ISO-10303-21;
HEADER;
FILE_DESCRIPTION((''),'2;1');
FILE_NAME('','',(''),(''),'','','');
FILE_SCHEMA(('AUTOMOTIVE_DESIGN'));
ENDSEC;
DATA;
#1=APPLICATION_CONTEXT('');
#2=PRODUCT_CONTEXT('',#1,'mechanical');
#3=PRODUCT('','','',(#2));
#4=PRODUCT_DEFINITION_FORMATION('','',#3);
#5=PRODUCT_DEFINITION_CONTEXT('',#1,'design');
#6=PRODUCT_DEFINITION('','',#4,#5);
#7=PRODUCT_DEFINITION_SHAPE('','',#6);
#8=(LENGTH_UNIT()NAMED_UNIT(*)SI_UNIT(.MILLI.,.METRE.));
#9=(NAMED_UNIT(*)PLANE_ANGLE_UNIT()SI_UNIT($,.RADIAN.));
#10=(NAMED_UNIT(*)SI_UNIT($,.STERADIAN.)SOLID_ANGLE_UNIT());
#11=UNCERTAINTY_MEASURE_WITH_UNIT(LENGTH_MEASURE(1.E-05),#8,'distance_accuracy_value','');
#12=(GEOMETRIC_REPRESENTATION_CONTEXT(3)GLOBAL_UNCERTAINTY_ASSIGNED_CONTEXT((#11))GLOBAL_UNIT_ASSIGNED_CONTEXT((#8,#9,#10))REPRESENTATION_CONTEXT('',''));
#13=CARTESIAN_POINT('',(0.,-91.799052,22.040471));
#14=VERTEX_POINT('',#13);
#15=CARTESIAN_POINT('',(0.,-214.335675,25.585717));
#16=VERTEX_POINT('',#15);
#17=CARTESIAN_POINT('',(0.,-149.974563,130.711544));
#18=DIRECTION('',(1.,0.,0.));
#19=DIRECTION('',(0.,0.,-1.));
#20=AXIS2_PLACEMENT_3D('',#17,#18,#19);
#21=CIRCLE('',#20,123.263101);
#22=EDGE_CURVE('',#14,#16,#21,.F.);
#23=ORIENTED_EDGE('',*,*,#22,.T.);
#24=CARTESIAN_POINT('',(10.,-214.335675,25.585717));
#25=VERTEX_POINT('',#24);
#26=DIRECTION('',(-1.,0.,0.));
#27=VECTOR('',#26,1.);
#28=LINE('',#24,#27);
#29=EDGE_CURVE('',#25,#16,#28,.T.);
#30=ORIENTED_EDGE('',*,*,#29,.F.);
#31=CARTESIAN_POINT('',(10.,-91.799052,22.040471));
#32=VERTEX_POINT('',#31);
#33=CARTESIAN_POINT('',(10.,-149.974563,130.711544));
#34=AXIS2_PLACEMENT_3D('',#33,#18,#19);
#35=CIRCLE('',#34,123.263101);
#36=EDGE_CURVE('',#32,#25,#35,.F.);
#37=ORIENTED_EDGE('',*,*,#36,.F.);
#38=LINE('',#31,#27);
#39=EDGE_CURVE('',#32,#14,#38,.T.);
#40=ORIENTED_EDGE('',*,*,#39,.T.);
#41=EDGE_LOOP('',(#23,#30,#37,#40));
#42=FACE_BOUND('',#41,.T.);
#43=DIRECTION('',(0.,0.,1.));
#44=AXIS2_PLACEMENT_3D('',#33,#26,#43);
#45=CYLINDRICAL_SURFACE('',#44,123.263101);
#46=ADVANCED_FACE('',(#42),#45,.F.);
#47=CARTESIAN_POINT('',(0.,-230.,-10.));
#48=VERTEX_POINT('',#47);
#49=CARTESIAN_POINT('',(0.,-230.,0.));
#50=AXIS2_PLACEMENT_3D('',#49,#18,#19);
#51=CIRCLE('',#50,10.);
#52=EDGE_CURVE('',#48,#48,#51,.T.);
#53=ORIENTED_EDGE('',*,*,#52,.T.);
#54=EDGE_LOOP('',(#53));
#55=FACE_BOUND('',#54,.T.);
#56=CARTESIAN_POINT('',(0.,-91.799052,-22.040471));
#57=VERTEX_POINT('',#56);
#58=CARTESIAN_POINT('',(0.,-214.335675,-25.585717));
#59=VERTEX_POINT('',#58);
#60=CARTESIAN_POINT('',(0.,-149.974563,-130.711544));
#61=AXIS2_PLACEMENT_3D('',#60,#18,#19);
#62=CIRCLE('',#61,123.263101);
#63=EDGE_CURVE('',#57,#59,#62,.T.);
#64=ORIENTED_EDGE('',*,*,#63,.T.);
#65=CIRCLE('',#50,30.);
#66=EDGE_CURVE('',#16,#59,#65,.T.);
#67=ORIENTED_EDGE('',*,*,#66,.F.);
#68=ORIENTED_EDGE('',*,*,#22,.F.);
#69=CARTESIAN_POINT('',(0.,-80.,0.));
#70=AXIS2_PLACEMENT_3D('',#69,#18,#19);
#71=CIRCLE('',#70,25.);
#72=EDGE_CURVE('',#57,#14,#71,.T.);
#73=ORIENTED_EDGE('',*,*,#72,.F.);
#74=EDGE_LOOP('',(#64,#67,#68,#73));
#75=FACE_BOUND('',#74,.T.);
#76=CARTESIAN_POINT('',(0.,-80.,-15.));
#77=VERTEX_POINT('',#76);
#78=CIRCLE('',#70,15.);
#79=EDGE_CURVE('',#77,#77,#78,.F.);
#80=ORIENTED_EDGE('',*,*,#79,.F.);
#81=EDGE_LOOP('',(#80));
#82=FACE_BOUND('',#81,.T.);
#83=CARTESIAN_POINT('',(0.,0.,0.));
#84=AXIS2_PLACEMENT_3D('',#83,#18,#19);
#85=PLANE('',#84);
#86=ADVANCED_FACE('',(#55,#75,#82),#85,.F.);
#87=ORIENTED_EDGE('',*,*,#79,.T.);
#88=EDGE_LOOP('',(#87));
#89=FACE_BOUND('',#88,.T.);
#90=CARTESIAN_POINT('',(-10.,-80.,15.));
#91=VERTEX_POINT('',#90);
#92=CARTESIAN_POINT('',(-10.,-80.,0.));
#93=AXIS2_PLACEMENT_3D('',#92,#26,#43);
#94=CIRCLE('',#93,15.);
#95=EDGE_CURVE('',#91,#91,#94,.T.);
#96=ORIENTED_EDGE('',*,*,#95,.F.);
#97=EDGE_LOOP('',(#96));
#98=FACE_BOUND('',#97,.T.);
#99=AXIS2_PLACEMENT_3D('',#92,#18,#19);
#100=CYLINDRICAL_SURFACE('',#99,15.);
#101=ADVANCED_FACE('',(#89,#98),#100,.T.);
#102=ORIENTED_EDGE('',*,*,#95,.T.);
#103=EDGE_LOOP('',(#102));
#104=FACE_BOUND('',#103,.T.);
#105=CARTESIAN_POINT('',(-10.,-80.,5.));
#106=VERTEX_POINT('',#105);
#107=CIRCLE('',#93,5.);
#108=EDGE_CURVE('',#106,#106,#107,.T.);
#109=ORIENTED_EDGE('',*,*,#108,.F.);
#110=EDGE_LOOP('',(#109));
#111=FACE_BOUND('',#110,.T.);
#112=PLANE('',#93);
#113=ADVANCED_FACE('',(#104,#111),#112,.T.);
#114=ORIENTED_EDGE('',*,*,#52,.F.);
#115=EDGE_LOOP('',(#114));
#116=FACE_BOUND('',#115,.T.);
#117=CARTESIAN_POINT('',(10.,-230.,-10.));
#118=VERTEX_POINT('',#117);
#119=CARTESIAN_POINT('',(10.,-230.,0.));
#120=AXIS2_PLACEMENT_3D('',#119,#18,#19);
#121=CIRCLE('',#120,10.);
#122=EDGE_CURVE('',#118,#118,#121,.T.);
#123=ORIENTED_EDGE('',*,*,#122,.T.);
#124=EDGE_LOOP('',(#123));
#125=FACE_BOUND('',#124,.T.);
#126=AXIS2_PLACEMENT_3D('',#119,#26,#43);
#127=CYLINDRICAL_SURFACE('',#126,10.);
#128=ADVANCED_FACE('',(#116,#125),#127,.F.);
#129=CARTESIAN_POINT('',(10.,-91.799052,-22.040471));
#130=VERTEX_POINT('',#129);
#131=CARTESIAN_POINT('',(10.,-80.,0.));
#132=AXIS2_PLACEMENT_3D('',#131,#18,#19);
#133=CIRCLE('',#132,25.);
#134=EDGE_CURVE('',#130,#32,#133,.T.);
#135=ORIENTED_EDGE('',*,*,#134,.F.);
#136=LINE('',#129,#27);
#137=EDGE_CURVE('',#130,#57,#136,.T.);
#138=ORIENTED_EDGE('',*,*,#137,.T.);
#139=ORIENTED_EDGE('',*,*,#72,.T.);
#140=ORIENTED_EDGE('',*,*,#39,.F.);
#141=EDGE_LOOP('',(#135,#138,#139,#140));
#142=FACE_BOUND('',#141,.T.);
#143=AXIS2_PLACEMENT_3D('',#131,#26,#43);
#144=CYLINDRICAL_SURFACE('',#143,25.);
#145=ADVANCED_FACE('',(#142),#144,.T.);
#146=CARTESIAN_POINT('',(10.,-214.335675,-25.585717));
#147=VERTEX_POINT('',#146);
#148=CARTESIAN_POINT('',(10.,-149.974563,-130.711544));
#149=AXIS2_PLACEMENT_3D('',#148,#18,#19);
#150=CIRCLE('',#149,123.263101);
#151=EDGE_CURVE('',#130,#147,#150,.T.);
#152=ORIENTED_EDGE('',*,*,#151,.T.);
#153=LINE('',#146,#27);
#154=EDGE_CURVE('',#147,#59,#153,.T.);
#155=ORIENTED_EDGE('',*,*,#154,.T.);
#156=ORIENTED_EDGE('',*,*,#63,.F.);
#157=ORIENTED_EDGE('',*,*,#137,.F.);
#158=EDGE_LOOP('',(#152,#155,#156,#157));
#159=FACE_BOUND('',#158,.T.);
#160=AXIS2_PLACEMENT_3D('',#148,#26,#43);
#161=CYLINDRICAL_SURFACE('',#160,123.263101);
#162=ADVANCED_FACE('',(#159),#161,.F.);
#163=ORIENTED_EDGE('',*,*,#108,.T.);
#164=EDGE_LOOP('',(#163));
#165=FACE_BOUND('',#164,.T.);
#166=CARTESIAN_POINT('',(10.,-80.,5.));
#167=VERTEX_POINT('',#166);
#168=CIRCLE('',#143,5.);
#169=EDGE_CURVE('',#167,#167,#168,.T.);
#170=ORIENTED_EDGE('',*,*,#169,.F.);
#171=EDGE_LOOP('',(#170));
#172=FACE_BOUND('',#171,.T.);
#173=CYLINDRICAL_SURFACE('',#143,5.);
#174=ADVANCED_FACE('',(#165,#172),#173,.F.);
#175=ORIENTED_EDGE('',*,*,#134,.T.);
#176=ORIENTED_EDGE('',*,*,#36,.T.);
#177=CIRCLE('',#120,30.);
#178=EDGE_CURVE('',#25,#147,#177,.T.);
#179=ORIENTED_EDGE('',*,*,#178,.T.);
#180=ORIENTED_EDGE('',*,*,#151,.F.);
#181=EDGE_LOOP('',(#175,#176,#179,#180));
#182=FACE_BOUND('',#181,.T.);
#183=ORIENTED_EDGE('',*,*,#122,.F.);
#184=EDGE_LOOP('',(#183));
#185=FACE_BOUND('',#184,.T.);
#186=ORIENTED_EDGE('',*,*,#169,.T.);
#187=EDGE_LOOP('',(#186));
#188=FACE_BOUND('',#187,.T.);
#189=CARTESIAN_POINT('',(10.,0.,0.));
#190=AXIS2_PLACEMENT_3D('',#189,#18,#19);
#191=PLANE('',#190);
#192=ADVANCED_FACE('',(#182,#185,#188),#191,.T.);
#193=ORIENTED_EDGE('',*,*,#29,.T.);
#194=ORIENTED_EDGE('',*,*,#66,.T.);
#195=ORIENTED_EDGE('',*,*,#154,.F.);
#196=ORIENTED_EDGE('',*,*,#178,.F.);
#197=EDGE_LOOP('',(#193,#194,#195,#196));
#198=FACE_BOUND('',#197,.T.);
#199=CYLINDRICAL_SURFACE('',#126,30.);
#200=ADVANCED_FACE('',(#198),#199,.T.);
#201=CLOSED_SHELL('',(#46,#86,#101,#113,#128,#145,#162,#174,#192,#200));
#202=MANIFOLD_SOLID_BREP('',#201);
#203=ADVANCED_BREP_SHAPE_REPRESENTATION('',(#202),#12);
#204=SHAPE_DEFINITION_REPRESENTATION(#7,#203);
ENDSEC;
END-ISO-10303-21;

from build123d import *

# Parameters (mm, degrees)
SKETCH1_R           = 10
BOSS_EXTRUDE1_DEPTH = 10
SKETCH3_R           = 15
BOSS_EXTRUDE3_DEPTH = 10
SKETCH4_R           = 5
CUT_EXTRUDE1_DEPTH  = 20


with BuildPart() as part:
    # Sketch1 → Boss-Extrude1 (new body)
    with BuildSketch(Plane(origin=(0, 0, 0), x_dir=(0, 0, -1), z_dir=(1, 0, 0))):
        with BuildLine():
            ThreePointArc((22.040471077, -91.799052281), (0, -55), (-22.040471077, -91.799052281))
            ThreePointArc((-22.040471077, -91.799052281), (-7.5, -153.539335996), (-25.58571686, -214.33567452))
            ThreePointArc((-25.58571686, -214.33567452), (0, -260), (25.58571686, -214.33567452))
            ThreePointArc((25.58571686, -214.33567452), (7.5, -153.539335996), (22.040471077, -91.799052281))
        make_face()
        with Locations((0, -230)):
            Circle(SKETCH1_R, mode=Mode.SUBTRACT)
    extrude(amount=BOSS_EXTRUDE1_DEPTH)

    # Sketch3 → Boss-Extrude3 (add)
    with BuildSketch(Plane.ZY):
        with Locations((0, -80)):
            Circle(SKETCH3_R)
    extrude(amount=BOSS_EXTRUDE3_DEPTH)

    # Sketch4 → Cut-Extrude1 (cut)
    with BuildSketch(Plane.ZY.offset(10)):
        with Locations((0, -80)):
            Circle(SKETCH4_R)
    extrude(amount=-CUT_EXTRUDE1_DEPTH, mode=Mode.SUBTRACT)


solid = part.part
